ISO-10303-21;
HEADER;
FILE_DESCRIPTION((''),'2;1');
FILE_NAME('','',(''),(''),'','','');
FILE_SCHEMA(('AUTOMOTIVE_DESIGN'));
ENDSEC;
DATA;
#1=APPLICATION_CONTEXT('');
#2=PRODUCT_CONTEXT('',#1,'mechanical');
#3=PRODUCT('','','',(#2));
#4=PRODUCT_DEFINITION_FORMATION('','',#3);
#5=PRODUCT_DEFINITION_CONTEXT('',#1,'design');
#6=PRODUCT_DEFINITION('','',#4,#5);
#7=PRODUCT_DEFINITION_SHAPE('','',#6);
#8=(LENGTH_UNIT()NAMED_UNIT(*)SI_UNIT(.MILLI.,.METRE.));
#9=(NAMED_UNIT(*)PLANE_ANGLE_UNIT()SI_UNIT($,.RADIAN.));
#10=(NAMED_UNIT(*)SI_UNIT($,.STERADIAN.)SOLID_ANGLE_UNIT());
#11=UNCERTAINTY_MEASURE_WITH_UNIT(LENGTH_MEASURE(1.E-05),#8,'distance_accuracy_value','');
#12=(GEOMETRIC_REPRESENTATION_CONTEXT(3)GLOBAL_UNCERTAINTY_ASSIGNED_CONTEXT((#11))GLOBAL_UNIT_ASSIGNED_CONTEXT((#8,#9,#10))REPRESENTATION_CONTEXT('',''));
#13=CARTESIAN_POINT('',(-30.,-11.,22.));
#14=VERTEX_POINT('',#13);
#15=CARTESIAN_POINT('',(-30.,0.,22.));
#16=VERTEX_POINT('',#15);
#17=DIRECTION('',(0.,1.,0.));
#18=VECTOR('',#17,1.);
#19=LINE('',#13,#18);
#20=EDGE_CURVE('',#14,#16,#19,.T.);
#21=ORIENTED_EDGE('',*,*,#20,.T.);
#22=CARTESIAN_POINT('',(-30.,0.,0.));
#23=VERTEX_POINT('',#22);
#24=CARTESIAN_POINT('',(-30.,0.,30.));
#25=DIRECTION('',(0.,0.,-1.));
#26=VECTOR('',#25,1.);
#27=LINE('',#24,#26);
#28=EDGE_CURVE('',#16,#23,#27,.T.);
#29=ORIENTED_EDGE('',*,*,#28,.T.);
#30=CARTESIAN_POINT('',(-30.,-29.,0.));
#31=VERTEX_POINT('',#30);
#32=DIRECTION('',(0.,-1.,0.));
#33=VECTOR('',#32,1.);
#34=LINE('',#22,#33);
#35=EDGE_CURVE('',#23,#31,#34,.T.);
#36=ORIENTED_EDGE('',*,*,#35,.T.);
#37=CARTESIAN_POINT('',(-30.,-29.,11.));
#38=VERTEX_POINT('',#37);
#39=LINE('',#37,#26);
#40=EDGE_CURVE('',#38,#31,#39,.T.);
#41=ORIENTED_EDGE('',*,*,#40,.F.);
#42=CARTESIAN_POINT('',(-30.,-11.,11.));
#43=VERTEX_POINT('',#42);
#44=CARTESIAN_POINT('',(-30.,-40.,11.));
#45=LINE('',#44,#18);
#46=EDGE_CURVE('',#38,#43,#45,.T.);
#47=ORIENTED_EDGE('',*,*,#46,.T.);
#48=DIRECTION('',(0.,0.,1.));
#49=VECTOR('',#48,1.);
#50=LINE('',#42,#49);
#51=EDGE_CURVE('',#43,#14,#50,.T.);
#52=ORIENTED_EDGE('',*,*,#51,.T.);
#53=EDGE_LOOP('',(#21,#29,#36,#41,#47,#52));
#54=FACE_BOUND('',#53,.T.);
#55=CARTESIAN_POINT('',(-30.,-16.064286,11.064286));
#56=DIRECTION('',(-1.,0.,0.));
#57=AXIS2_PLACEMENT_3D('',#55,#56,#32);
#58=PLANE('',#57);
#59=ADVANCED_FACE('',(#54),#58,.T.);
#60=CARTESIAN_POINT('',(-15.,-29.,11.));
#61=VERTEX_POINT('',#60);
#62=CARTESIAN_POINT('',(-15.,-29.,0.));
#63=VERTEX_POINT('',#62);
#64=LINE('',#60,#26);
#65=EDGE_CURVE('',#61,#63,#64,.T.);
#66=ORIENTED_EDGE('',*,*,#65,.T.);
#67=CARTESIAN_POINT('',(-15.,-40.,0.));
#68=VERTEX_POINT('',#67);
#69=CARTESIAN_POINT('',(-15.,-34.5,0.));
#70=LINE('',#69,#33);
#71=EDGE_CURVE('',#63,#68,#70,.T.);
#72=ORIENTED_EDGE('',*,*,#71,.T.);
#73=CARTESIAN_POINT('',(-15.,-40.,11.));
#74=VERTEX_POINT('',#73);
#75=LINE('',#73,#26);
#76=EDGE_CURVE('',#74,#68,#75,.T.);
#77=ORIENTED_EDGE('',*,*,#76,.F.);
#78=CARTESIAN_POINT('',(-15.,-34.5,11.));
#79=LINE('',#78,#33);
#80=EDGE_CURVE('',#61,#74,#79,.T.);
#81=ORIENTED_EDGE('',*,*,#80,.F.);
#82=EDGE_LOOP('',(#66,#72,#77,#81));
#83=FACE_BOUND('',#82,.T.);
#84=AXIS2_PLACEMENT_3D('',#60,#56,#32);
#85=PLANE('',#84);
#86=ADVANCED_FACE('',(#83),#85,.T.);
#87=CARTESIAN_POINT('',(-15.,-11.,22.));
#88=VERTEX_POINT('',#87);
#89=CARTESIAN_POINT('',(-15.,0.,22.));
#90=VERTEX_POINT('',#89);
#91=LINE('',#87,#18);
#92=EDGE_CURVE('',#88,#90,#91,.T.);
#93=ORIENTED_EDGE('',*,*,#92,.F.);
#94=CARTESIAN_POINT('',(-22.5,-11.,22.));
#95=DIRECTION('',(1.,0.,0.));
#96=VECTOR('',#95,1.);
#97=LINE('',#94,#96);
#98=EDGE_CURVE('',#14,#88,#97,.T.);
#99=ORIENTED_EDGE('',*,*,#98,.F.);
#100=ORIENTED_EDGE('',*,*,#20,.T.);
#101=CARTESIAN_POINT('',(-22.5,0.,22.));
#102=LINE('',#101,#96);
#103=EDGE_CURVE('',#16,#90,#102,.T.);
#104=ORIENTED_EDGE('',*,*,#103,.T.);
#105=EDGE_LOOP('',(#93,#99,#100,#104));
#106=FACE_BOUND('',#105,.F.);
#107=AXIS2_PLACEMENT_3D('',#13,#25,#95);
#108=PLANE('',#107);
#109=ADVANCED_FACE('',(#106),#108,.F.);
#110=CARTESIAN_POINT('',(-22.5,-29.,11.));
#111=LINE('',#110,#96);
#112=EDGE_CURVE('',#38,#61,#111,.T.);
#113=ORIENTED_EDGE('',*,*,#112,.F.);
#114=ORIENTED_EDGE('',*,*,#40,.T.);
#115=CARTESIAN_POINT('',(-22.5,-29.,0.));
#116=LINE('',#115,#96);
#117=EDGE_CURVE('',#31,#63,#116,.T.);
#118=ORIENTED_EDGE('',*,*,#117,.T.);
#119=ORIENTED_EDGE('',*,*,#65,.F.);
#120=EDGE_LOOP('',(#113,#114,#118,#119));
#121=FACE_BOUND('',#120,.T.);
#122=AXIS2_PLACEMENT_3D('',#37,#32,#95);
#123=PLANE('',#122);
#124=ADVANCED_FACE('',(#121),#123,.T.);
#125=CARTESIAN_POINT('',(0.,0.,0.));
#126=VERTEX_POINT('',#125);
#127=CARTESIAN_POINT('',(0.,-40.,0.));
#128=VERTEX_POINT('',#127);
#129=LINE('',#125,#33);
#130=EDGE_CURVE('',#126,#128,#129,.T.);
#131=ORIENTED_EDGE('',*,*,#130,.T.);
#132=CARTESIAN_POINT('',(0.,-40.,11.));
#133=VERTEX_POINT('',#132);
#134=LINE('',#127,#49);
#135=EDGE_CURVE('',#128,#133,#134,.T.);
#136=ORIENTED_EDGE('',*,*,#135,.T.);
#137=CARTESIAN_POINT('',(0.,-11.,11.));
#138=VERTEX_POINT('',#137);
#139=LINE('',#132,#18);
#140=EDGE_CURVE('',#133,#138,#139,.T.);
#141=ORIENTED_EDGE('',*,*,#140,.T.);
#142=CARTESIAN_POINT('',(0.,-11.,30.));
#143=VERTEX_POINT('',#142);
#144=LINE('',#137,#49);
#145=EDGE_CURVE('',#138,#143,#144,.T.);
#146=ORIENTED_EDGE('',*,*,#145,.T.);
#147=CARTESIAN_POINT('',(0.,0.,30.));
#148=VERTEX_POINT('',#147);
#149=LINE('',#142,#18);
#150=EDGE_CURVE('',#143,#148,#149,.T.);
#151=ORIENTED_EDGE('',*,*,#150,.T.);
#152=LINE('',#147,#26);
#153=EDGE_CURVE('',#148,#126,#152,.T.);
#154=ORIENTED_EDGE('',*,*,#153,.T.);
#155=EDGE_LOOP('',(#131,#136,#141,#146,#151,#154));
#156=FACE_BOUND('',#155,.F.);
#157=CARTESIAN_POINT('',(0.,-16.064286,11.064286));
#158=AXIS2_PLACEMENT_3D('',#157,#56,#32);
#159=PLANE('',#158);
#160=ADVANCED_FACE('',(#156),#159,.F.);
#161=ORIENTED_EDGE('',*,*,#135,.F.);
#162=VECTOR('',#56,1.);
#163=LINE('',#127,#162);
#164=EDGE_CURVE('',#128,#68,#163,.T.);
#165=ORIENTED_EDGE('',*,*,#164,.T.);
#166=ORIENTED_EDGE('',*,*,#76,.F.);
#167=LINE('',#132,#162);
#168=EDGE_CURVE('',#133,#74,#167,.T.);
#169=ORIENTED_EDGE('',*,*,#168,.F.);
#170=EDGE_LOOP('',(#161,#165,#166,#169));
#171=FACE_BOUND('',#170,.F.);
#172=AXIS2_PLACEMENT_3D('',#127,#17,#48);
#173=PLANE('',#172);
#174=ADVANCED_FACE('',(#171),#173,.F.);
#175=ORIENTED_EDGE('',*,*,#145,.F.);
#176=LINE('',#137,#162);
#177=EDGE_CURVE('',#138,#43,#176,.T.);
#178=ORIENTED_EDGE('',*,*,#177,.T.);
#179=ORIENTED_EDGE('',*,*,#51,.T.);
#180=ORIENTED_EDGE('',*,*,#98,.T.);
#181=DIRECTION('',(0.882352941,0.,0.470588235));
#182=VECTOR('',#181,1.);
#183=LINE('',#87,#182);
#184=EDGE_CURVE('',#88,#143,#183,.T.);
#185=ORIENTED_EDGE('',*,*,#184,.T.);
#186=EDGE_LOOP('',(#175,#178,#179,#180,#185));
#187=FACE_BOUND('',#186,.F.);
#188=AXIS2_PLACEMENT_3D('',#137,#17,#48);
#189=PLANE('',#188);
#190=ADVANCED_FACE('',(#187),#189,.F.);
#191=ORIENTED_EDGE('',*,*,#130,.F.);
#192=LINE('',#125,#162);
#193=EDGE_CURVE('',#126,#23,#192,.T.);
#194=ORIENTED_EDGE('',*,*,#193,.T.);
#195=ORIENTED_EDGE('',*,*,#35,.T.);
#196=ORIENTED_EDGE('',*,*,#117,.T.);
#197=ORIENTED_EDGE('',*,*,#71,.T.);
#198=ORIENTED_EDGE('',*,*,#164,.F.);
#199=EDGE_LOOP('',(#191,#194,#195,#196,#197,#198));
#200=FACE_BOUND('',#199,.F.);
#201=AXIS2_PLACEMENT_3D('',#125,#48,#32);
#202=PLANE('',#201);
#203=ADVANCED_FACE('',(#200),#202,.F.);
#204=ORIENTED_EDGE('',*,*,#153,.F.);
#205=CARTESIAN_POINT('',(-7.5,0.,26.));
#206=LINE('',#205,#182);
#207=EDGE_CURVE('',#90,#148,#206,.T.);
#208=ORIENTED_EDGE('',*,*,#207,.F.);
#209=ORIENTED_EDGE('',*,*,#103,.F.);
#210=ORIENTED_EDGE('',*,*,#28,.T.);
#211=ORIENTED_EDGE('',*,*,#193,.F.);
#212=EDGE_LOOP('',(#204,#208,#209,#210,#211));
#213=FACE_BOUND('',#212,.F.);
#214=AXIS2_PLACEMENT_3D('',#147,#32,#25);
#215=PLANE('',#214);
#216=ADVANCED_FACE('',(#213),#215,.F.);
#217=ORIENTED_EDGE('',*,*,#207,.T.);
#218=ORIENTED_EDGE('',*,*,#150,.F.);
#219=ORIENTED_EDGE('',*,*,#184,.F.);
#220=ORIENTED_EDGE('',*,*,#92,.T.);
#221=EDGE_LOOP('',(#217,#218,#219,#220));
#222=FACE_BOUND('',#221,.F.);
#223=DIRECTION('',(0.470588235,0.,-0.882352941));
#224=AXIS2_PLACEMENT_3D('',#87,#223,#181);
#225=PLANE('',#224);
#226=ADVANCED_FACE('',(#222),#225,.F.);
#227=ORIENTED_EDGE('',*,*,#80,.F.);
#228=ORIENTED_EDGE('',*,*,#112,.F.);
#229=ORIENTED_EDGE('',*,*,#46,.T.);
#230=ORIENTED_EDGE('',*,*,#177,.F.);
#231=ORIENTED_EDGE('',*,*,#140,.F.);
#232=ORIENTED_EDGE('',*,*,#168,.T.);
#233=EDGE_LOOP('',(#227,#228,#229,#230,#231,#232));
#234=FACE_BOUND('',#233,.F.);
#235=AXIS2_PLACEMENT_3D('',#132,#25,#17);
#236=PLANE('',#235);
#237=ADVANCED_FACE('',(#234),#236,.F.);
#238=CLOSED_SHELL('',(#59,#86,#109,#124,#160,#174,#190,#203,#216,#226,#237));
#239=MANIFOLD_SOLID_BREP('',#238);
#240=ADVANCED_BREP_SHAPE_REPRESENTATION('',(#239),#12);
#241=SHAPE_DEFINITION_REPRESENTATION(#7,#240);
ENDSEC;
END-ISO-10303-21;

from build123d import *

# Parameters (mm, degrees)
F1_DEPTH = 30
F2_W     = 11
F2_H     = 15
F3_DEPTH = 11
F4_W     = 15
F4_H     = 8
F5_DEPTH = 11
F6_ANGLE = -90
F8_DEPTH = 11.001


with BuildPart() as f1:
    # F0 (on Front) → F1 (new body)
    with BuildSketch(Plane.XZ):
        Polygon((0, 30), (0, 0), (40, 0), (40, 11), (11, 11), (11, 30), align=None)
    extrude(amount=F1_DEPTH)

    # F2 (on face) → F3 (cut, through all)
    with BuildSketch(Plane.XY.offset(11)):
        with Locations((34.5, -22.5)):
            Rectangle(F2_W, F2_H)
    extrude(amount=-F3_DEPTH, mode=Mode.SUBTRACT)

    # F4 (on face) → F5 (cut, through all)
    with BuildSketch(Plane.YZ.offset(11)):
        with Locations((-22.5, 26)):
            Rectangle(F4_W, F4_H)
    extrude(amount=-F5_DEPTH, mode=Mode.SUBTRACT)


with BuildPart() as f1_1:
    # F6: moved
    add(f1.part.rotate(Axis((0, 0, 15), (0, 0, 1)), F6_ANGLE))

    # F7 (on face) → F8 (cut, through all)
    with BuildSketch(Plane.XZ.offset(11)):
        Polygon((-7.5, 26), (-15, 30), (-15, 22), align=None)
        Polygon((0, 30), (-15, 30), (-7.5, 26), align=None)
    extrude(amount=-F8_DEPTH, mode=Mode.SUBTRACT)


solid = f1_1.part
